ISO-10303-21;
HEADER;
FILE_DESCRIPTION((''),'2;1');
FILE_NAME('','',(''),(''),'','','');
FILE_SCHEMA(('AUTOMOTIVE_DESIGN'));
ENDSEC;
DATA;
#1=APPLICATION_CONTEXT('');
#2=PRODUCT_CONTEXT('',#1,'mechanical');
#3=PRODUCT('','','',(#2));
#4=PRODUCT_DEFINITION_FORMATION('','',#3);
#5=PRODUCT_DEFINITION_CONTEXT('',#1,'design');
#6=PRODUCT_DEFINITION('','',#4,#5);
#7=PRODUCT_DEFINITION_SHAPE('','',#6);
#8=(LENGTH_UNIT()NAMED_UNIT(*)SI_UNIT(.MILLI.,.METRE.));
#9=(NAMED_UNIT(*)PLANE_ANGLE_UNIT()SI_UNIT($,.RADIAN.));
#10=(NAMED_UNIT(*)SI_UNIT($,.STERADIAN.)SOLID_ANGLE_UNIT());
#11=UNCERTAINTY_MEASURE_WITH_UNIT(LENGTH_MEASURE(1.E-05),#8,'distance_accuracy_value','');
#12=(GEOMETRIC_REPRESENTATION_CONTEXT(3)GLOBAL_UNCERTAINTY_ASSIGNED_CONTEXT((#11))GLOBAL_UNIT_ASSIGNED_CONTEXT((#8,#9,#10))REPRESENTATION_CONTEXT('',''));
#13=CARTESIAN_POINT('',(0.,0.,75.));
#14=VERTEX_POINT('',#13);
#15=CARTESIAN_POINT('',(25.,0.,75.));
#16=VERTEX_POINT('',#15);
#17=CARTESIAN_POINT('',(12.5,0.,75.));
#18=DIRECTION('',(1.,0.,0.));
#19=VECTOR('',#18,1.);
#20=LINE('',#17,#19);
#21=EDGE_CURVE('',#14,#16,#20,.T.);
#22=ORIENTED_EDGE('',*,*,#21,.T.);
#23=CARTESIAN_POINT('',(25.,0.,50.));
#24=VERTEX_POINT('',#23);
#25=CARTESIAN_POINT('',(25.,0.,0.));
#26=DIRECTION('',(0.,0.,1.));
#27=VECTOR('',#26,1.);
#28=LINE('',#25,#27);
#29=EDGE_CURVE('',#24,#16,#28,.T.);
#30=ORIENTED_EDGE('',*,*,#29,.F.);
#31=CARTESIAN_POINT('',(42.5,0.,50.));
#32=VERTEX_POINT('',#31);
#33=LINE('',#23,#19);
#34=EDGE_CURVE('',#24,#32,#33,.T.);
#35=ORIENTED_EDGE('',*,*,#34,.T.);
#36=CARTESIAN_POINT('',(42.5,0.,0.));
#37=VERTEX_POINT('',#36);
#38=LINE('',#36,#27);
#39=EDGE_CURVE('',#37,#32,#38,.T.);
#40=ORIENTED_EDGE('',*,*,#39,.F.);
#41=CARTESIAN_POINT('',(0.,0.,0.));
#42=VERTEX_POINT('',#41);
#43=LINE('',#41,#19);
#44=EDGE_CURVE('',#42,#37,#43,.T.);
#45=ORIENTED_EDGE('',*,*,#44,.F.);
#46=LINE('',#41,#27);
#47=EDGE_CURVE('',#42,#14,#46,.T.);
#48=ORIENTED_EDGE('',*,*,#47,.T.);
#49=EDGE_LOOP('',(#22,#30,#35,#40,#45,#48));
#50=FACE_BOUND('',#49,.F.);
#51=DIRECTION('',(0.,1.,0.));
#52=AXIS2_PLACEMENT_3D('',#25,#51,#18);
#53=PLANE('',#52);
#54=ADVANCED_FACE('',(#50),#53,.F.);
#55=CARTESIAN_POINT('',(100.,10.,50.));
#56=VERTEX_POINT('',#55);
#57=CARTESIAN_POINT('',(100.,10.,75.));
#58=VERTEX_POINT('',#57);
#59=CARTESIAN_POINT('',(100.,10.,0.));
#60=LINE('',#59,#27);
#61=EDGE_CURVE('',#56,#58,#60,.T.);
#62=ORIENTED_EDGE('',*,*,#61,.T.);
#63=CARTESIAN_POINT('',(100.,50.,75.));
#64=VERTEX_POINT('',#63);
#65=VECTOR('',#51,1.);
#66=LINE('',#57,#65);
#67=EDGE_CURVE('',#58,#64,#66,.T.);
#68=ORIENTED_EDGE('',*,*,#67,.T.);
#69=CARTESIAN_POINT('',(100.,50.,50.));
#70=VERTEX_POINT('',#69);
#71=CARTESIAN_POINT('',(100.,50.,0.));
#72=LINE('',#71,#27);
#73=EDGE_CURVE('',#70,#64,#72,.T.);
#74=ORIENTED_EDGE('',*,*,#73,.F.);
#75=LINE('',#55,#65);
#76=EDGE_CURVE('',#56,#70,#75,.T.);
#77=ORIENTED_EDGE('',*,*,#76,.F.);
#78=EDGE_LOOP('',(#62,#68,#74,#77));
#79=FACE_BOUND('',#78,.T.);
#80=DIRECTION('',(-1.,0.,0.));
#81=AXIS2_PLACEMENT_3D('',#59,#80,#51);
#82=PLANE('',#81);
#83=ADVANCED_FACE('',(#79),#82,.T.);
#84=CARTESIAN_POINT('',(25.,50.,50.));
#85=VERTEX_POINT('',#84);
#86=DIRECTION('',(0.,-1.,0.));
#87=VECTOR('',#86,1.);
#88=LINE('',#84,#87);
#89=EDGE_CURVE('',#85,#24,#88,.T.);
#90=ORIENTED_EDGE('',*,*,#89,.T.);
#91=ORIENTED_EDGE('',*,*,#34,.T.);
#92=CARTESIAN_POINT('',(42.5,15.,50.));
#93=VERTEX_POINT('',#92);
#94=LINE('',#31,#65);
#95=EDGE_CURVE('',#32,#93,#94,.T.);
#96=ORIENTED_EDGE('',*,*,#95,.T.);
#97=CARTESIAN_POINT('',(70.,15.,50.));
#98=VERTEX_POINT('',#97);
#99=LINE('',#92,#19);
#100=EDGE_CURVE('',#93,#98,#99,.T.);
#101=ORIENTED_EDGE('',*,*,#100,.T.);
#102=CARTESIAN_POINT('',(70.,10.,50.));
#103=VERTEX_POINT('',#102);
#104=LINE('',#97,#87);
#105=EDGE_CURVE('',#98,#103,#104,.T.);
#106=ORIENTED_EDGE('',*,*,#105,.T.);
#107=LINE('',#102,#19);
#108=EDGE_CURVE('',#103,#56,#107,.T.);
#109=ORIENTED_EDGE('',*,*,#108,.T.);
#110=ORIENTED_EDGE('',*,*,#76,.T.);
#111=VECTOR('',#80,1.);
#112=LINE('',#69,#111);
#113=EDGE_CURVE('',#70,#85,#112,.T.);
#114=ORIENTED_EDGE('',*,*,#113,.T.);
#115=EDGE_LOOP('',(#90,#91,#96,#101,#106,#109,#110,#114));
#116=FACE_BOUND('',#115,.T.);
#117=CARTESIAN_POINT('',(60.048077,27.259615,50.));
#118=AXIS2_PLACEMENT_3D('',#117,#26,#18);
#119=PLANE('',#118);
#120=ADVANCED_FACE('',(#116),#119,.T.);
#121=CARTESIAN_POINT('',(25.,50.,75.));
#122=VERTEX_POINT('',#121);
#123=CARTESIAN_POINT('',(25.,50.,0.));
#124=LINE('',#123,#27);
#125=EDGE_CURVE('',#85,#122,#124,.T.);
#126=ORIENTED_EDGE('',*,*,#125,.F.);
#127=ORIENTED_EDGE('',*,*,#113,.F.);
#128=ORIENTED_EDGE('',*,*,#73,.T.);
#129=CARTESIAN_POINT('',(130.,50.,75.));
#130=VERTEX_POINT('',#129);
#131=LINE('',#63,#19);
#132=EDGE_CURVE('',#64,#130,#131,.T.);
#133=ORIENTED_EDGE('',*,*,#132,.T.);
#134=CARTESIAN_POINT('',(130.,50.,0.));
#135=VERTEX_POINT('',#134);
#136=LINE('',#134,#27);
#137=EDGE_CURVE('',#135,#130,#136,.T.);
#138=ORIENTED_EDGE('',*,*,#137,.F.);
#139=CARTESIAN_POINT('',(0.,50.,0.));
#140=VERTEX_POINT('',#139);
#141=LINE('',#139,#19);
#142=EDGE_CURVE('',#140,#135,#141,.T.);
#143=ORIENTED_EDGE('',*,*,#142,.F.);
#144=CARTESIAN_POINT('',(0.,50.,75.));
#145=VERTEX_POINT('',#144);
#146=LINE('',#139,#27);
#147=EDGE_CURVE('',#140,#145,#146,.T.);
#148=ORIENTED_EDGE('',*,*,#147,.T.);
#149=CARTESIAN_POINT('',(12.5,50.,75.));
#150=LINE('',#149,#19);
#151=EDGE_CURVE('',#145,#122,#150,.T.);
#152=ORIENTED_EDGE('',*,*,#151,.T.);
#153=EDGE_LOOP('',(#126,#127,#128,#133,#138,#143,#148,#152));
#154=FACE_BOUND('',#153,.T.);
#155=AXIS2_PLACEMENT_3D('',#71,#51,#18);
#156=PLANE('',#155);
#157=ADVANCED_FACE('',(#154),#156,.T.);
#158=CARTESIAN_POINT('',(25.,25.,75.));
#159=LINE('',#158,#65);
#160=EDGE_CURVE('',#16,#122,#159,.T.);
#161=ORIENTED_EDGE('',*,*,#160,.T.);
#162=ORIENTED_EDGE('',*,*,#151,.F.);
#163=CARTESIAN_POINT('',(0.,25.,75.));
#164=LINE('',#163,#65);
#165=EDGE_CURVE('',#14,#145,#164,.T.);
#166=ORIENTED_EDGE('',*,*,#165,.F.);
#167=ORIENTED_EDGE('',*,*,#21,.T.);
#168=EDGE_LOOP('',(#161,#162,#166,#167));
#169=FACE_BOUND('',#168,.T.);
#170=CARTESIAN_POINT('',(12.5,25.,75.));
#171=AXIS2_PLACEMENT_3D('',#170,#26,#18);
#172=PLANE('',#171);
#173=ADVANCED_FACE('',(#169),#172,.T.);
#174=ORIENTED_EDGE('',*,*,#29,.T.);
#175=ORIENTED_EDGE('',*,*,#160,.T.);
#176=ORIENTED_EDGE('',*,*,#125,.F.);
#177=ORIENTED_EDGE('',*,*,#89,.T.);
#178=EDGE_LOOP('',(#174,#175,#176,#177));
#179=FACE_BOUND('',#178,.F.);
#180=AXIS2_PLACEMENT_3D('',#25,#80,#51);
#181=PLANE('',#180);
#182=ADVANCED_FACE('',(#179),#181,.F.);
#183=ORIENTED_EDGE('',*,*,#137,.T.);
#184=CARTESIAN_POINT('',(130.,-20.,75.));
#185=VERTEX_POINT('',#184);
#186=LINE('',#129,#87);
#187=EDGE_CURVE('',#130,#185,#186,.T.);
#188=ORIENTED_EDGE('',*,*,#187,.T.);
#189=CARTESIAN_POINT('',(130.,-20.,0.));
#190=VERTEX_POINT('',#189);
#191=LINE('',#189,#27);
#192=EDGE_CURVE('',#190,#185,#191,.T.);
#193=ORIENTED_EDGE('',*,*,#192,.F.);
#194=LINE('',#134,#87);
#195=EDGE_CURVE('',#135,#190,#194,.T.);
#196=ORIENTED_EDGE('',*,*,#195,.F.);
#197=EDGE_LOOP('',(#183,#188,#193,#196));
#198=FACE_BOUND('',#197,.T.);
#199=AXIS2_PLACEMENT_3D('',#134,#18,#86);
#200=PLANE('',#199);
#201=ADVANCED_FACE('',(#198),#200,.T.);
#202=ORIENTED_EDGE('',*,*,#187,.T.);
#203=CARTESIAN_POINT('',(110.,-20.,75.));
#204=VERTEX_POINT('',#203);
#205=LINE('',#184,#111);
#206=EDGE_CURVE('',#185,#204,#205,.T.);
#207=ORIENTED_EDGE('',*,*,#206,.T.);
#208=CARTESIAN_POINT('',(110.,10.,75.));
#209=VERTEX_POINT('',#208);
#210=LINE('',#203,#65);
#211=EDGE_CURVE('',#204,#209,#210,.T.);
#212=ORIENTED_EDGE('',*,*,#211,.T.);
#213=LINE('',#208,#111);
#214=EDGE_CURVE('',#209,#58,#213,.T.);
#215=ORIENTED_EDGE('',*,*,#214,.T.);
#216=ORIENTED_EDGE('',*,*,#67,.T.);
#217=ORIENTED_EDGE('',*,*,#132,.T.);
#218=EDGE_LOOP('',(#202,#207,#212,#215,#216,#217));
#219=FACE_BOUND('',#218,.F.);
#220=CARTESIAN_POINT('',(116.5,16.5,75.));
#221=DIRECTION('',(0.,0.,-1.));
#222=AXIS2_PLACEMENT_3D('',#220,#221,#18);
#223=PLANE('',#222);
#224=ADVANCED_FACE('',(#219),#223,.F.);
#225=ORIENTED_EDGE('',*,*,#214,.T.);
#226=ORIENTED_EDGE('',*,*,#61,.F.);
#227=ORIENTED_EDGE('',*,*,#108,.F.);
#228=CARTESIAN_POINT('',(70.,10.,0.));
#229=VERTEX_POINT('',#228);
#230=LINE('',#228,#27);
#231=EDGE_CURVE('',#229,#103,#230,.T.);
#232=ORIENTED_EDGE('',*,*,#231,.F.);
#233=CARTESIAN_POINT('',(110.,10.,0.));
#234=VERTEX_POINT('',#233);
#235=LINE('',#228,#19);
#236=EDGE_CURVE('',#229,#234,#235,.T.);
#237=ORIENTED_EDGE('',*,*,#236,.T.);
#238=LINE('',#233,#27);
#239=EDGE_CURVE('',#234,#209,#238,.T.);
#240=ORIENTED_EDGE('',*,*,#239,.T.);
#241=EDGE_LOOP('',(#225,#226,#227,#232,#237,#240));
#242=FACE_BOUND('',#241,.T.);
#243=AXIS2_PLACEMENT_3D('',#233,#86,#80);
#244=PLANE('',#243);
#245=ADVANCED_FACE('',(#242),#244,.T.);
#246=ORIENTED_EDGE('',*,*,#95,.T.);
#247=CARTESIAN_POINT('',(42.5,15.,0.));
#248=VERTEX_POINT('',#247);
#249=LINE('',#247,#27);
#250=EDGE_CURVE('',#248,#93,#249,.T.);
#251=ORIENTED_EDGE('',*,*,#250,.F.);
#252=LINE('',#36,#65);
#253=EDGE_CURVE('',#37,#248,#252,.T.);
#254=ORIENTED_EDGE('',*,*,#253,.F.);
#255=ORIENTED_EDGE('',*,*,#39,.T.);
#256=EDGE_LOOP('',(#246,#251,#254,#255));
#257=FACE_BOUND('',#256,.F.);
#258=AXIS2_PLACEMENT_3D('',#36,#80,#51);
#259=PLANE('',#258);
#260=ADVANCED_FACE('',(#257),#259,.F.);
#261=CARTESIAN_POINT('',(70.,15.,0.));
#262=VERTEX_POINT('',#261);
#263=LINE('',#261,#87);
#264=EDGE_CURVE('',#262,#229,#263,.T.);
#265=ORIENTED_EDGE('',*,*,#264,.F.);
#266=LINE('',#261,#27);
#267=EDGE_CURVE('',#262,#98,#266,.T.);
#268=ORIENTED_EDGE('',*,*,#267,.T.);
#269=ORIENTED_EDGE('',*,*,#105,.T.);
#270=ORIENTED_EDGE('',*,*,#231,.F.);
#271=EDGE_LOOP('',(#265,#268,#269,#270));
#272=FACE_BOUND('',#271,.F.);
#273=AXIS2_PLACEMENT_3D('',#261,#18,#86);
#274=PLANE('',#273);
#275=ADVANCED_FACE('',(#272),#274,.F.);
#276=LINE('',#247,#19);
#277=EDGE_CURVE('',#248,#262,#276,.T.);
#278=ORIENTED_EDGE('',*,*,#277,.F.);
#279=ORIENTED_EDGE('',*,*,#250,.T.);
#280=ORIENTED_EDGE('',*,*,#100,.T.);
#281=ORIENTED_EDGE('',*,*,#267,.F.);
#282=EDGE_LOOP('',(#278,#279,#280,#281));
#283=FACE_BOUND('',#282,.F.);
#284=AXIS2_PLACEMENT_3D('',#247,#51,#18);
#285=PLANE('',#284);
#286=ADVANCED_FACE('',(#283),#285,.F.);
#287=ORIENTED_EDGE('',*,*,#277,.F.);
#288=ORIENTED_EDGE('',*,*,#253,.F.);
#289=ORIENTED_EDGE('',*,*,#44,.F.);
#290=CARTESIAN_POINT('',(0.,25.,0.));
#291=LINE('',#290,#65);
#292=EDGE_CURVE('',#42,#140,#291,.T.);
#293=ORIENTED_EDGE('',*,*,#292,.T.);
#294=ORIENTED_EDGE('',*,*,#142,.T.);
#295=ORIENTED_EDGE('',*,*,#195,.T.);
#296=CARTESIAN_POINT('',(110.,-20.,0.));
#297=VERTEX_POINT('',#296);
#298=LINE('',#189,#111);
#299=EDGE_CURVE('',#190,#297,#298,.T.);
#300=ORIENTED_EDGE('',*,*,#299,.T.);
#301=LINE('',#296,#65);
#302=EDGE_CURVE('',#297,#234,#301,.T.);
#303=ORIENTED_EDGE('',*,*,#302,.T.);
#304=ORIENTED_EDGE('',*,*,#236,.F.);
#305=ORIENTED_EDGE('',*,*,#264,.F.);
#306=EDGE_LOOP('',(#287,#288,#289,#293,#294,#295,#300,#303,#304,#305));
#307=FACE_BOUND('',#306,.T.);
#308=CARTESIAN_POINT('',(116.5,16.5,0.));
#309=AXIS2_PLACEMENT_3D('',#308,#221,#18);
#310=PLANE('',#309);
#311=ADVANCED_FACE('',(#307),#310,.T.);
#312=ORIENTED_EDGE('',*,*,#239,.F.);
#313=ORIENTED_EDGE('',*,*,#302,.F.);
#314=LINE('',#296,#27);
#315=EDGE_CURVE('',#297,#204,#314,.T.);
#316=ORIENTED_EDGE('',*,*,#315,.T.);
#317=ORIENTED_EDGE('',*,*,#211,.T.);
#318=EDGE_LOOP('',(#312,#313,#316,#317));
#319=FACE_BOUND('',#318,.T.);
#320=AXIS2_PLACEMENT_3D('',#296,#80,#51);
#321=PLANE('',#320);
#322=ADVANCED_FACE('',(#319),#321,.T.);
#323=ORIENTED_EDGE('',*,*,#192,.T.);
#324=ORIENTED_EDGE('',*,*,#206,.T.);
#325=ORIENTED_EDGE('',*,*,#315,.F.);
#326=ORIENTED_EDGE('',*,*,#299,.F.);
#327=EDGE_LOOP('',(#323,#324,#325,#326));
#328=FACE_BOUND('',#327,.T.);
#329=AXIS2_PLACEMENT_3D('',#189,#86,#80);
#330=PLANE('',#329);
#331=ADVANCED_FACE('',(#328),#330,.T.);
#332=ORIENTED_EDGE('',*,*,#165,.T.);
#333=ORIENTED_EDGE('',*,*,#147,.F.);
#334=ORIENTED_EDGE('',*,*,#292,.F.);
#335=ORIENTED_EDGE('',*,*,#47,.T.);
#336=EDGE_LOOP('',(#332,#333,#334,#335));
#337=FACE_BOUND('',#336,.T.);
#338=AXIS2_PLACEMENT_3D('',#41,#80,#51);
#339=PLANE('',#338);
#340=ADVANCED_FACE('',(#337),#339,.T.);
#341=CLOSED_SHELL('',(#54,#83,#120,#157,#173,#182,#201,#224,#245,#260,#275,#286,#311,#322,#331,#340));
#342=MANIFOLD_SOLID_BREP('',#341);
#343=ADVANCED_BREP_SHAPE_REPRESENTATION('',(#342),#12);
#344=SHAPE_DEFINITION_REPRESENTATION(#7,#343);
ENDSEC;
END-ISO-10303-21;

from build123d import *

# Parameters (mm, degrees)
F0_W     = 25
F0_H     = 50
F1_DEPTH = 75
F3_DEPTH = 50
F5_DEPTH = 75


with BuildPart() as f1:
    # F0 (on Top) → F1 (new body)
    with BuildSketch(Plane.XY):
        with Locations((12.5, 25)):
            Rectangle(F0_W, F0_H)
    extrude(amount=F1_DEPTH)

    # F2 (on Top) → F3 (join)
    with BuildSketch(Plane.XY):
        Polygon((25, 50), (25, 0), (42.5, 0), (42.5, 15), (70, 15), (70, 10), (100, 10), (100, 40), (100, 50), (90, 50), align=None)
    extrude(amount=F3_DEPTH)

    # F4 (on face) → F5 (join)
    with BuildSketch(Plane(origin=(0, 0, 0), x_dir=(1, 0, 0), z_dir=(0, 0, -1))):
        Polygon((110, -10), (100, -10), (100, -50), (130, -50), (130, 20), (110, 20), align=None)
    extrude(amount=-F5_DEPTH)


solid = f1.part
